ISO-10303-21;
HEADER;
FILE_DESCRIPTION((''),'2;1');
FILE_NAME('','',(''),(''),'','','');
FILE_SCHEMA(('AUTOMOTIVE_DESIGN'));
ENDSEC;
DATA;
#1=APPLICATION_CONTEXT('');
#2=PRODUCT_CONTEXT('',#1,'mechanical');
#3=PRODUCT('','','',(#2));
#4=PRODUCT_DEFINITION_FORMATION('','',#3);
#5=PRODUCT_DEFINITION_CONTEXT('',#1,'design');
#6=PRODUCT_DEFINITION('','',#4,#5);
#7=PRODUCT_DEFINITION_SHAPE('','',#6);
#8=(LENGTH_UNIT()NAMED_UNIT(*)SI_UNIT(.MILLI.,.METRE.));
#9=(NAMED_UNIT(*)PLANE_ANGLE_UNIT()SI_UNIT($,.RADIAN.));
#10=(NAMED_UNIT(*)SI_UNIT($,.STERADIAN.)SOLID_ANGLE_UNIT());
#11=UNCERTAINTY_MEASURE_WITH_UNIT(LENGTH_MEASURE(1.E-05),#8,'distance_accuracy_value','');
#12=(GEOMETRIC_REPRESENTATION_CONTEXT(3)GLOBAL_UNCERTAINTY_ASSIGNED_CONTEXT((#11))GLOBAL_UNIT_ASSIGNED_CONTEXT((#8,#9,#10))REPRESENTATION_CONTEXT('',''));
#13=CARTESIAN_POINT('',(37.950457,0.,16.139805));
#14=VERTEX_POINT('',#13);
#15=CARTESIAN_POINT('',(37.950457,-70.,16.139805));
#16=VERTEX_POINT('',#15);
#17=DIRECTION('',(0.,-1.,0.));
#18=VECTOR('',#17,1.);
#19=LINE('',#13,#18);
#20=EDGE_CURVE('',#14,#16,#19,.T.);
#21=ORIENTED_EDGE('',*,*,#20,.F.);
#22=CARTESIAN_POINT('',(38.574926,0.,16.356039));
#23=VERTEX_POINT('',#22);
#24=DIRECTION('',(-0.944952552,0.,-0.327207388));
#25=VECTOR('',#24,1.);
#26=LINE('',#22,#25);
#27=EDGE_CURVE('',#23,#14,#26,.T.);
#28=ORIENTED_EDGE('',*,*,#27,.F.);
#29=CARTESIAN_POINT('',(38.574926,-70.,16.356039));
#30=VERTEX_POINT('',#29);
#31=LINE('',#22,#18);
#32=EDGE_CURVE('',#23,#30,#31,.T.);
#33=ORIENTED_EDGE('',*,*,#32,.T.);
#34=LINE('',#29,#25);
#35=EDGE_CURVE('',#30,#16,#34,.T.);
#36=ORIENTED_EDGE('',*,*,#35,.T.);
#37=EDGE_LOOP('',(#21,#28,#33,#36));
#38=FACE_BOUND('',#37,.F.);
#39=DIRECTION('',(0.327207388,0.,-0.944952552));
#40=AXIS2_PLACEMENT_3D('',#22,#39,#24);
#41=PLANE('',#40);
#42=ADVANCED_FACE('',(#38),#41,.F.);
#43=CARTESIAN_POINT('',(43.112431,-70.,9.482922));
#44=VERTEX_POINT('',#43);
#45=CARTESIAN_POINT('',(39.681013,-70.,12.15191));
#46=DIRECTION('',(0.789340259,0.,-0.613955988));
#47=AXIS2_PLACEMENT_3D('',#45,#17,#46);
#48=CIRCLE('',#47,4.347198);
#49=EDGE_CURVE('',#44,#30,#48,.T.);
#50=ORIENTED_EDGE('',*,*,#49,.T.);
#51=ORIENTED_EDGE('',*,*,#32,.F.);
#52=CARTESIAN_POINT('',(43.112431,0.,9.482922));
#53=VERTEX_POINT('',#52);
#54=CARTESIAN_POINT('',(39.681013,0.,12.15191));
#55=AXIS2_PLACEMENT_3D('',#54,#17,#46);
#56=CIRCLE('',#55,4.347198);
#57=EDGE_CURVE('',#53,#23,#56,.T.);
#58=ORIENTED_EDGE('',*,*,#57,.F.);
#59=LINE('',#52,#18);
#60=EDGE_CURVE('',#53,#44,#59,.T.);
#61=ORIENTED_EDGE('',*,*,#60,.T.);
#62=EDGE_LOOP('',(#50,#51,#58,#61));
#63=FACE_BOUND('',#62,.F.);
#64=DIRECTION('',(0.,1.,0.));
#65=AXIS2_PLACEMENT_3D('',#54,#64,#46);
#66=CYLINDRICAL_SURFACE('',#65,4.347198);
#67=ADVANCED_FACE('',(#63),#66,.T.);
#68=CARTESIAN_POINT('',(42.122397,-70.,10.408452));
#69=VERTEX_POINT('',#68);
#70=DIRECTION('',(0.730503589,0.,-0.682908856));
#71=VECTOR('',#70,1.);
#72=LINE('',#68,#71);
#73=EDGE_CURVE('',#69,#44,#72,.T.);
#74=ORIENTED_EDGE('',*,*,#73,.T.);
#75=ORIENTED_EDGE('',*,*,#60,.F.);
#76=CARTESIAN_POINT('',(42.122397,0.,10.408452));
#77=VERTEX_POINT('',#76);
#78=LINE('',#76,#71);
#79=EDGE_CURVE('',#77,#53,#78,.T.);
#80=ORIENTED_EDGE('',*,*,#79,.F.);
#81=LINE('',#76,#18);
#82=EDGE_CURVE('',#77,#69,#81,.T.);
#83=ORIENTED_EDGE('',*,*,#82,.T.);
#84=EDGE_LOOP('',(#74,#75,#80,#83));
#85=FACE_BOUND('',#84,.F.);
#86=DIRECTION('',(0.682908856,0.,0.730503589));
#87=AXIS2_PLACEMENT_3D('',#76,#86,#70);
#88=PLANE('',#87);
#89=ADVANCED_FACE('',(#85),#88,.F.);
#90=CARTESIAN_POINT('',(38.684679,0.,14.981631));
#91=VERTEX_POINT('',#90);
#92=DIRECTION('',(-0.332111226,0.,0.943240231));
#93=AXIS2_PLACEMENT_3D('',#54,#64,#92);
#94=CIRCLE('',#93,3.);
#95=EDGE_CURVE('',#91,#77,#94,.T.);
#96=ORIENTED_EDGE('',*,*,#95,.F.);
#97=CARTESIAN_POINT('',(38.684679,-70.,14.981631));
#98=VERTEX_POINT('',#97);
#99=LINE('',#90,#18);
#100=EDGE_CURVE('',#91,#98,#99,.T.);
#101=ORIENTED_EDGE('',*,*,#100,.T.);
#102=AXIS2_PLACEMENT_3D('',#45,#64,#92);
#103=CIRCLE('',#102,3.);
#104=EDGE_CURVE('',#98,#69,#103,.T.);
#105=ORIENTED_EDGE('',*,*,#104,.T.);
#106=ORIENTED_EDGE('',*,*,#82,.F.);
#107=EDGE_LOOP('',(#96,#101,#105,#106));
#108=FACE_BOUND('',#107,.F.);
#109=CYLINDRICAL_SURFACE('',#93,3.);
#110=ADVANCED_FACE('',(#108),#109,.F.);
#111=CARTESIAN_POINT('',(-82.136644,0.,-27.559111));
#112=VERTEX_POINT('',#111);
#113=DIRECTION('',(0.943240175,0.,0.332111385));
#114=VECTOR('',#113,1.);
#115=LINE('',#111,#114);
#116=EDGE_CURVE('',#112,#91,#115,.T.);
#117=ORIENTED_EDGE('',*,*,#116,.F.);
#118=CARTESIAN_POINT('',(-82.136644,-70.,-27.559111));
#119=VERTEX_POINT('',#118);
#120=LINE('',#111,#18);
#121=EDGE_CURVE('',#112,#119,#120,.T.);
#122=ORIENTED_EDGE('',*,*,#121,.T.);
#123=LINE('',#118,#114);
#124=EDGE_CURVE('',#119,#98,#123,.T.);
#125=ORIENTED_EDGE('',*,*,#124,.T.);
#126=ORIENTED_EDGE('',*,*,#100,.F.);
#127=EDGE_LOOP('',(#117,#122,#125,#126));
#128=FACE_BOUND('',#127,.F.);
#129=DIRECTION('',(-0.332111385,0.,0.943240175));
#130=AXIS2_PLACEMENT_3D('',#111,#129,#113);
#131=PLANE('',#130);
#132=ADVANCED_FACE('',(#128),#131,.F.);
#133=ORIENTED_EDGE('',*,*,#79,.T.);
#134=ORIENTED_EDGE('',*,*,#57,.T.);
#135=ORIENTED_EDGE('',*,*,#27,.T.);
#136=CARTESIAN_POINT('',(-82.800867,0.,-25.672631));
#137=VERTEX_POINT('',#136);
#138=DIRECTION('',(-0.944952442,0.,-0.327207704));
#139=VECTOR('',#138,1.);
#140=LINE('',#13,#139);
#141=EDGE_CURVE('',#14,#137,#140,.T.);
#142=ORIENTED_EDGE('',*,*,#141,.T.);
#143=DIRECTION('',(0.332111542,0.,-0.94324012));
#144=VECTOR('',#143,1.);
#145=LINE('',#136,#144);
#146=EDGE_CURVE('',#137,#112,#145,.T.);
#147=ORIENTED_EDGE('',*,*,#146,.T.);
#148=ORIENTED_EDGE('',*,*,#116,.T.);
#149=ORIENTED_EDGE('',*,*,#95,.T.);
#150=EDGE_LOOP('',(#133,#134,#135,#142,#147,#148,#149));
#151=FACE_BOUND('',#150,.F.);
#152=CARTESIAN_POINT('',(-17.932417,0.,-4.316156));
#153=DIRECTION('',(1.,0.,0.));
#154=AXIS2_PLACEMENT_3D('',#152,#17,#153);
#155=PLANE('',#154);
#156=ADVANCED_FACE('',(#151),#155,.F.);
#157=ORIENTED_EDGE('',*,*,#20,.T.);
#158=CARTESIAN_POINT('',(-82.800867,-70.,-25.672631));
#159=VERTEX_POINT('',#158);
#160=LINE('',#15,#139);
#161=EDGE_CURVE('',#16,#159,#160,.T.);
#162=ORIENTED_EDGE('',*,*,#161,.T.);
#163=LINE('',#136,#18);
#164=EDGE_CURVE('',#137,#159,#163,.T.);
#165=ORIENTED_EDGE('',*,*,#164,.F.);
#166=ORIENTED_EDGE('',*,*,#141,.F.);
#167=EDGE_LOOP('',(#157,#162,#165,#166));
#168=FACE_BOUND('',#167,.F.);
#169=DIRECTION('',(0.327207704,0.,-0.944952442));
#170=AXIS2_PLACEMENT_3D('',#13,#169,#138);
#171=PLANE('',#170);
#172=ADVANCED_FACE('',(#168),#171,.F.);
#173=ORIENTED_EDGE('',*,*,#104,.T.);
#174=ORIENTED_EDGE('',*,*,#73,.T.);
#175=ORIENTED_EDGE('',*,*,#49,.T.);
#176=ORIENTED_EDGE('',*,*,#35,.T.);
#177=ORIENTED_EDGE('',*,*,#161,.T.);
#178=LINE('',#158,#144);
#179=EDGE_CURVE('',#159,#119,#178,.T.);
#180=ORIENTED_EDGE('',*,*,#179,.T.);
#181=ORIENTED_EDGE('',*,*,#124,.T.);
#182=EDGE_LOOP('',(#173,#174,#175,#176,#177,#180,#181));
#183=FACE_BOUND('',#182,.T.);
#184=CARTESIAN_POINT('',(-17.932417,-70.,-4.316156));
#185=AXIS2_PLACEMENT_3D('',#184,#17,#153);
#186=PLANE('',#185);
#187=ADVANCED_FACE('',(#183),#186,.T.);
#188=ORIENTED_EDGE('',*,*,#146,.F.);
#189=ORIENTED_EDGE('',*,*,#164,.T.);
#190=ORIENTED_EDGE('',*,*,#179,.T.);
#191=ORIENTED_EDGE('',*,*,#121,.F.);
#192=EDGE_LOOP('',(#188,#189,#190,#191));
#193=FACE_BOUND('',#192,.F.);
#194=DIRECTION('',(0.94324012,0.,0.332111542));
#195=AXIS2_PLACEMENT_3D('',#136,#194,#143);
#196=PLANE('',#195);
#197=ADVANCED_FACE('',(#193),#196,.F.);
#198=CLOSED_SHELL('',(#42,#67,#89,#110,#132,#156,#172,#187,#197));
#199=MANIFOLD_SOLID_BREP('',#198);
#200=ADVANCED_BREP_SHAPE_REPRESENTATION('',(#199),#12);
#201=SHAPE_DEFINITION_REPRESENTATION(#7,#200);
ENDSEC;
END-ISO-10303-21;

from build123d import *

# Parameters (mm, degrees)
F1_DEPTH = 70


with BuildPart() as f1:
    # F0 (on Front) → F1 (new body)
    with BuildSketch(Plane.XZ):
        with BuildLine():
            ThreePointArc((38.684679, 14.981631), (42.07904, 13.954538), (42.122397, 10.408452))
            Line((42.122397, 10.408452), (43.112431, 9.482922))
            ThreePointArc((43.112431, 9.482922), (43.308922, 14.546989), (38.574926, 16.356039))
            Line((38.574926, 16.356039), (37.950457, 16.139805))
            Line((37.950457, 16.139805), (-82.800867, -25.672631))
            Line((-82.800867, -25.672631), (-82.136644, -27.559111))
            Line((-82.136644, -27.559111), (38.684679, 14.981631))
        make_face()
    extrude(amount=F1_DEPTH)


solid = f1.part
